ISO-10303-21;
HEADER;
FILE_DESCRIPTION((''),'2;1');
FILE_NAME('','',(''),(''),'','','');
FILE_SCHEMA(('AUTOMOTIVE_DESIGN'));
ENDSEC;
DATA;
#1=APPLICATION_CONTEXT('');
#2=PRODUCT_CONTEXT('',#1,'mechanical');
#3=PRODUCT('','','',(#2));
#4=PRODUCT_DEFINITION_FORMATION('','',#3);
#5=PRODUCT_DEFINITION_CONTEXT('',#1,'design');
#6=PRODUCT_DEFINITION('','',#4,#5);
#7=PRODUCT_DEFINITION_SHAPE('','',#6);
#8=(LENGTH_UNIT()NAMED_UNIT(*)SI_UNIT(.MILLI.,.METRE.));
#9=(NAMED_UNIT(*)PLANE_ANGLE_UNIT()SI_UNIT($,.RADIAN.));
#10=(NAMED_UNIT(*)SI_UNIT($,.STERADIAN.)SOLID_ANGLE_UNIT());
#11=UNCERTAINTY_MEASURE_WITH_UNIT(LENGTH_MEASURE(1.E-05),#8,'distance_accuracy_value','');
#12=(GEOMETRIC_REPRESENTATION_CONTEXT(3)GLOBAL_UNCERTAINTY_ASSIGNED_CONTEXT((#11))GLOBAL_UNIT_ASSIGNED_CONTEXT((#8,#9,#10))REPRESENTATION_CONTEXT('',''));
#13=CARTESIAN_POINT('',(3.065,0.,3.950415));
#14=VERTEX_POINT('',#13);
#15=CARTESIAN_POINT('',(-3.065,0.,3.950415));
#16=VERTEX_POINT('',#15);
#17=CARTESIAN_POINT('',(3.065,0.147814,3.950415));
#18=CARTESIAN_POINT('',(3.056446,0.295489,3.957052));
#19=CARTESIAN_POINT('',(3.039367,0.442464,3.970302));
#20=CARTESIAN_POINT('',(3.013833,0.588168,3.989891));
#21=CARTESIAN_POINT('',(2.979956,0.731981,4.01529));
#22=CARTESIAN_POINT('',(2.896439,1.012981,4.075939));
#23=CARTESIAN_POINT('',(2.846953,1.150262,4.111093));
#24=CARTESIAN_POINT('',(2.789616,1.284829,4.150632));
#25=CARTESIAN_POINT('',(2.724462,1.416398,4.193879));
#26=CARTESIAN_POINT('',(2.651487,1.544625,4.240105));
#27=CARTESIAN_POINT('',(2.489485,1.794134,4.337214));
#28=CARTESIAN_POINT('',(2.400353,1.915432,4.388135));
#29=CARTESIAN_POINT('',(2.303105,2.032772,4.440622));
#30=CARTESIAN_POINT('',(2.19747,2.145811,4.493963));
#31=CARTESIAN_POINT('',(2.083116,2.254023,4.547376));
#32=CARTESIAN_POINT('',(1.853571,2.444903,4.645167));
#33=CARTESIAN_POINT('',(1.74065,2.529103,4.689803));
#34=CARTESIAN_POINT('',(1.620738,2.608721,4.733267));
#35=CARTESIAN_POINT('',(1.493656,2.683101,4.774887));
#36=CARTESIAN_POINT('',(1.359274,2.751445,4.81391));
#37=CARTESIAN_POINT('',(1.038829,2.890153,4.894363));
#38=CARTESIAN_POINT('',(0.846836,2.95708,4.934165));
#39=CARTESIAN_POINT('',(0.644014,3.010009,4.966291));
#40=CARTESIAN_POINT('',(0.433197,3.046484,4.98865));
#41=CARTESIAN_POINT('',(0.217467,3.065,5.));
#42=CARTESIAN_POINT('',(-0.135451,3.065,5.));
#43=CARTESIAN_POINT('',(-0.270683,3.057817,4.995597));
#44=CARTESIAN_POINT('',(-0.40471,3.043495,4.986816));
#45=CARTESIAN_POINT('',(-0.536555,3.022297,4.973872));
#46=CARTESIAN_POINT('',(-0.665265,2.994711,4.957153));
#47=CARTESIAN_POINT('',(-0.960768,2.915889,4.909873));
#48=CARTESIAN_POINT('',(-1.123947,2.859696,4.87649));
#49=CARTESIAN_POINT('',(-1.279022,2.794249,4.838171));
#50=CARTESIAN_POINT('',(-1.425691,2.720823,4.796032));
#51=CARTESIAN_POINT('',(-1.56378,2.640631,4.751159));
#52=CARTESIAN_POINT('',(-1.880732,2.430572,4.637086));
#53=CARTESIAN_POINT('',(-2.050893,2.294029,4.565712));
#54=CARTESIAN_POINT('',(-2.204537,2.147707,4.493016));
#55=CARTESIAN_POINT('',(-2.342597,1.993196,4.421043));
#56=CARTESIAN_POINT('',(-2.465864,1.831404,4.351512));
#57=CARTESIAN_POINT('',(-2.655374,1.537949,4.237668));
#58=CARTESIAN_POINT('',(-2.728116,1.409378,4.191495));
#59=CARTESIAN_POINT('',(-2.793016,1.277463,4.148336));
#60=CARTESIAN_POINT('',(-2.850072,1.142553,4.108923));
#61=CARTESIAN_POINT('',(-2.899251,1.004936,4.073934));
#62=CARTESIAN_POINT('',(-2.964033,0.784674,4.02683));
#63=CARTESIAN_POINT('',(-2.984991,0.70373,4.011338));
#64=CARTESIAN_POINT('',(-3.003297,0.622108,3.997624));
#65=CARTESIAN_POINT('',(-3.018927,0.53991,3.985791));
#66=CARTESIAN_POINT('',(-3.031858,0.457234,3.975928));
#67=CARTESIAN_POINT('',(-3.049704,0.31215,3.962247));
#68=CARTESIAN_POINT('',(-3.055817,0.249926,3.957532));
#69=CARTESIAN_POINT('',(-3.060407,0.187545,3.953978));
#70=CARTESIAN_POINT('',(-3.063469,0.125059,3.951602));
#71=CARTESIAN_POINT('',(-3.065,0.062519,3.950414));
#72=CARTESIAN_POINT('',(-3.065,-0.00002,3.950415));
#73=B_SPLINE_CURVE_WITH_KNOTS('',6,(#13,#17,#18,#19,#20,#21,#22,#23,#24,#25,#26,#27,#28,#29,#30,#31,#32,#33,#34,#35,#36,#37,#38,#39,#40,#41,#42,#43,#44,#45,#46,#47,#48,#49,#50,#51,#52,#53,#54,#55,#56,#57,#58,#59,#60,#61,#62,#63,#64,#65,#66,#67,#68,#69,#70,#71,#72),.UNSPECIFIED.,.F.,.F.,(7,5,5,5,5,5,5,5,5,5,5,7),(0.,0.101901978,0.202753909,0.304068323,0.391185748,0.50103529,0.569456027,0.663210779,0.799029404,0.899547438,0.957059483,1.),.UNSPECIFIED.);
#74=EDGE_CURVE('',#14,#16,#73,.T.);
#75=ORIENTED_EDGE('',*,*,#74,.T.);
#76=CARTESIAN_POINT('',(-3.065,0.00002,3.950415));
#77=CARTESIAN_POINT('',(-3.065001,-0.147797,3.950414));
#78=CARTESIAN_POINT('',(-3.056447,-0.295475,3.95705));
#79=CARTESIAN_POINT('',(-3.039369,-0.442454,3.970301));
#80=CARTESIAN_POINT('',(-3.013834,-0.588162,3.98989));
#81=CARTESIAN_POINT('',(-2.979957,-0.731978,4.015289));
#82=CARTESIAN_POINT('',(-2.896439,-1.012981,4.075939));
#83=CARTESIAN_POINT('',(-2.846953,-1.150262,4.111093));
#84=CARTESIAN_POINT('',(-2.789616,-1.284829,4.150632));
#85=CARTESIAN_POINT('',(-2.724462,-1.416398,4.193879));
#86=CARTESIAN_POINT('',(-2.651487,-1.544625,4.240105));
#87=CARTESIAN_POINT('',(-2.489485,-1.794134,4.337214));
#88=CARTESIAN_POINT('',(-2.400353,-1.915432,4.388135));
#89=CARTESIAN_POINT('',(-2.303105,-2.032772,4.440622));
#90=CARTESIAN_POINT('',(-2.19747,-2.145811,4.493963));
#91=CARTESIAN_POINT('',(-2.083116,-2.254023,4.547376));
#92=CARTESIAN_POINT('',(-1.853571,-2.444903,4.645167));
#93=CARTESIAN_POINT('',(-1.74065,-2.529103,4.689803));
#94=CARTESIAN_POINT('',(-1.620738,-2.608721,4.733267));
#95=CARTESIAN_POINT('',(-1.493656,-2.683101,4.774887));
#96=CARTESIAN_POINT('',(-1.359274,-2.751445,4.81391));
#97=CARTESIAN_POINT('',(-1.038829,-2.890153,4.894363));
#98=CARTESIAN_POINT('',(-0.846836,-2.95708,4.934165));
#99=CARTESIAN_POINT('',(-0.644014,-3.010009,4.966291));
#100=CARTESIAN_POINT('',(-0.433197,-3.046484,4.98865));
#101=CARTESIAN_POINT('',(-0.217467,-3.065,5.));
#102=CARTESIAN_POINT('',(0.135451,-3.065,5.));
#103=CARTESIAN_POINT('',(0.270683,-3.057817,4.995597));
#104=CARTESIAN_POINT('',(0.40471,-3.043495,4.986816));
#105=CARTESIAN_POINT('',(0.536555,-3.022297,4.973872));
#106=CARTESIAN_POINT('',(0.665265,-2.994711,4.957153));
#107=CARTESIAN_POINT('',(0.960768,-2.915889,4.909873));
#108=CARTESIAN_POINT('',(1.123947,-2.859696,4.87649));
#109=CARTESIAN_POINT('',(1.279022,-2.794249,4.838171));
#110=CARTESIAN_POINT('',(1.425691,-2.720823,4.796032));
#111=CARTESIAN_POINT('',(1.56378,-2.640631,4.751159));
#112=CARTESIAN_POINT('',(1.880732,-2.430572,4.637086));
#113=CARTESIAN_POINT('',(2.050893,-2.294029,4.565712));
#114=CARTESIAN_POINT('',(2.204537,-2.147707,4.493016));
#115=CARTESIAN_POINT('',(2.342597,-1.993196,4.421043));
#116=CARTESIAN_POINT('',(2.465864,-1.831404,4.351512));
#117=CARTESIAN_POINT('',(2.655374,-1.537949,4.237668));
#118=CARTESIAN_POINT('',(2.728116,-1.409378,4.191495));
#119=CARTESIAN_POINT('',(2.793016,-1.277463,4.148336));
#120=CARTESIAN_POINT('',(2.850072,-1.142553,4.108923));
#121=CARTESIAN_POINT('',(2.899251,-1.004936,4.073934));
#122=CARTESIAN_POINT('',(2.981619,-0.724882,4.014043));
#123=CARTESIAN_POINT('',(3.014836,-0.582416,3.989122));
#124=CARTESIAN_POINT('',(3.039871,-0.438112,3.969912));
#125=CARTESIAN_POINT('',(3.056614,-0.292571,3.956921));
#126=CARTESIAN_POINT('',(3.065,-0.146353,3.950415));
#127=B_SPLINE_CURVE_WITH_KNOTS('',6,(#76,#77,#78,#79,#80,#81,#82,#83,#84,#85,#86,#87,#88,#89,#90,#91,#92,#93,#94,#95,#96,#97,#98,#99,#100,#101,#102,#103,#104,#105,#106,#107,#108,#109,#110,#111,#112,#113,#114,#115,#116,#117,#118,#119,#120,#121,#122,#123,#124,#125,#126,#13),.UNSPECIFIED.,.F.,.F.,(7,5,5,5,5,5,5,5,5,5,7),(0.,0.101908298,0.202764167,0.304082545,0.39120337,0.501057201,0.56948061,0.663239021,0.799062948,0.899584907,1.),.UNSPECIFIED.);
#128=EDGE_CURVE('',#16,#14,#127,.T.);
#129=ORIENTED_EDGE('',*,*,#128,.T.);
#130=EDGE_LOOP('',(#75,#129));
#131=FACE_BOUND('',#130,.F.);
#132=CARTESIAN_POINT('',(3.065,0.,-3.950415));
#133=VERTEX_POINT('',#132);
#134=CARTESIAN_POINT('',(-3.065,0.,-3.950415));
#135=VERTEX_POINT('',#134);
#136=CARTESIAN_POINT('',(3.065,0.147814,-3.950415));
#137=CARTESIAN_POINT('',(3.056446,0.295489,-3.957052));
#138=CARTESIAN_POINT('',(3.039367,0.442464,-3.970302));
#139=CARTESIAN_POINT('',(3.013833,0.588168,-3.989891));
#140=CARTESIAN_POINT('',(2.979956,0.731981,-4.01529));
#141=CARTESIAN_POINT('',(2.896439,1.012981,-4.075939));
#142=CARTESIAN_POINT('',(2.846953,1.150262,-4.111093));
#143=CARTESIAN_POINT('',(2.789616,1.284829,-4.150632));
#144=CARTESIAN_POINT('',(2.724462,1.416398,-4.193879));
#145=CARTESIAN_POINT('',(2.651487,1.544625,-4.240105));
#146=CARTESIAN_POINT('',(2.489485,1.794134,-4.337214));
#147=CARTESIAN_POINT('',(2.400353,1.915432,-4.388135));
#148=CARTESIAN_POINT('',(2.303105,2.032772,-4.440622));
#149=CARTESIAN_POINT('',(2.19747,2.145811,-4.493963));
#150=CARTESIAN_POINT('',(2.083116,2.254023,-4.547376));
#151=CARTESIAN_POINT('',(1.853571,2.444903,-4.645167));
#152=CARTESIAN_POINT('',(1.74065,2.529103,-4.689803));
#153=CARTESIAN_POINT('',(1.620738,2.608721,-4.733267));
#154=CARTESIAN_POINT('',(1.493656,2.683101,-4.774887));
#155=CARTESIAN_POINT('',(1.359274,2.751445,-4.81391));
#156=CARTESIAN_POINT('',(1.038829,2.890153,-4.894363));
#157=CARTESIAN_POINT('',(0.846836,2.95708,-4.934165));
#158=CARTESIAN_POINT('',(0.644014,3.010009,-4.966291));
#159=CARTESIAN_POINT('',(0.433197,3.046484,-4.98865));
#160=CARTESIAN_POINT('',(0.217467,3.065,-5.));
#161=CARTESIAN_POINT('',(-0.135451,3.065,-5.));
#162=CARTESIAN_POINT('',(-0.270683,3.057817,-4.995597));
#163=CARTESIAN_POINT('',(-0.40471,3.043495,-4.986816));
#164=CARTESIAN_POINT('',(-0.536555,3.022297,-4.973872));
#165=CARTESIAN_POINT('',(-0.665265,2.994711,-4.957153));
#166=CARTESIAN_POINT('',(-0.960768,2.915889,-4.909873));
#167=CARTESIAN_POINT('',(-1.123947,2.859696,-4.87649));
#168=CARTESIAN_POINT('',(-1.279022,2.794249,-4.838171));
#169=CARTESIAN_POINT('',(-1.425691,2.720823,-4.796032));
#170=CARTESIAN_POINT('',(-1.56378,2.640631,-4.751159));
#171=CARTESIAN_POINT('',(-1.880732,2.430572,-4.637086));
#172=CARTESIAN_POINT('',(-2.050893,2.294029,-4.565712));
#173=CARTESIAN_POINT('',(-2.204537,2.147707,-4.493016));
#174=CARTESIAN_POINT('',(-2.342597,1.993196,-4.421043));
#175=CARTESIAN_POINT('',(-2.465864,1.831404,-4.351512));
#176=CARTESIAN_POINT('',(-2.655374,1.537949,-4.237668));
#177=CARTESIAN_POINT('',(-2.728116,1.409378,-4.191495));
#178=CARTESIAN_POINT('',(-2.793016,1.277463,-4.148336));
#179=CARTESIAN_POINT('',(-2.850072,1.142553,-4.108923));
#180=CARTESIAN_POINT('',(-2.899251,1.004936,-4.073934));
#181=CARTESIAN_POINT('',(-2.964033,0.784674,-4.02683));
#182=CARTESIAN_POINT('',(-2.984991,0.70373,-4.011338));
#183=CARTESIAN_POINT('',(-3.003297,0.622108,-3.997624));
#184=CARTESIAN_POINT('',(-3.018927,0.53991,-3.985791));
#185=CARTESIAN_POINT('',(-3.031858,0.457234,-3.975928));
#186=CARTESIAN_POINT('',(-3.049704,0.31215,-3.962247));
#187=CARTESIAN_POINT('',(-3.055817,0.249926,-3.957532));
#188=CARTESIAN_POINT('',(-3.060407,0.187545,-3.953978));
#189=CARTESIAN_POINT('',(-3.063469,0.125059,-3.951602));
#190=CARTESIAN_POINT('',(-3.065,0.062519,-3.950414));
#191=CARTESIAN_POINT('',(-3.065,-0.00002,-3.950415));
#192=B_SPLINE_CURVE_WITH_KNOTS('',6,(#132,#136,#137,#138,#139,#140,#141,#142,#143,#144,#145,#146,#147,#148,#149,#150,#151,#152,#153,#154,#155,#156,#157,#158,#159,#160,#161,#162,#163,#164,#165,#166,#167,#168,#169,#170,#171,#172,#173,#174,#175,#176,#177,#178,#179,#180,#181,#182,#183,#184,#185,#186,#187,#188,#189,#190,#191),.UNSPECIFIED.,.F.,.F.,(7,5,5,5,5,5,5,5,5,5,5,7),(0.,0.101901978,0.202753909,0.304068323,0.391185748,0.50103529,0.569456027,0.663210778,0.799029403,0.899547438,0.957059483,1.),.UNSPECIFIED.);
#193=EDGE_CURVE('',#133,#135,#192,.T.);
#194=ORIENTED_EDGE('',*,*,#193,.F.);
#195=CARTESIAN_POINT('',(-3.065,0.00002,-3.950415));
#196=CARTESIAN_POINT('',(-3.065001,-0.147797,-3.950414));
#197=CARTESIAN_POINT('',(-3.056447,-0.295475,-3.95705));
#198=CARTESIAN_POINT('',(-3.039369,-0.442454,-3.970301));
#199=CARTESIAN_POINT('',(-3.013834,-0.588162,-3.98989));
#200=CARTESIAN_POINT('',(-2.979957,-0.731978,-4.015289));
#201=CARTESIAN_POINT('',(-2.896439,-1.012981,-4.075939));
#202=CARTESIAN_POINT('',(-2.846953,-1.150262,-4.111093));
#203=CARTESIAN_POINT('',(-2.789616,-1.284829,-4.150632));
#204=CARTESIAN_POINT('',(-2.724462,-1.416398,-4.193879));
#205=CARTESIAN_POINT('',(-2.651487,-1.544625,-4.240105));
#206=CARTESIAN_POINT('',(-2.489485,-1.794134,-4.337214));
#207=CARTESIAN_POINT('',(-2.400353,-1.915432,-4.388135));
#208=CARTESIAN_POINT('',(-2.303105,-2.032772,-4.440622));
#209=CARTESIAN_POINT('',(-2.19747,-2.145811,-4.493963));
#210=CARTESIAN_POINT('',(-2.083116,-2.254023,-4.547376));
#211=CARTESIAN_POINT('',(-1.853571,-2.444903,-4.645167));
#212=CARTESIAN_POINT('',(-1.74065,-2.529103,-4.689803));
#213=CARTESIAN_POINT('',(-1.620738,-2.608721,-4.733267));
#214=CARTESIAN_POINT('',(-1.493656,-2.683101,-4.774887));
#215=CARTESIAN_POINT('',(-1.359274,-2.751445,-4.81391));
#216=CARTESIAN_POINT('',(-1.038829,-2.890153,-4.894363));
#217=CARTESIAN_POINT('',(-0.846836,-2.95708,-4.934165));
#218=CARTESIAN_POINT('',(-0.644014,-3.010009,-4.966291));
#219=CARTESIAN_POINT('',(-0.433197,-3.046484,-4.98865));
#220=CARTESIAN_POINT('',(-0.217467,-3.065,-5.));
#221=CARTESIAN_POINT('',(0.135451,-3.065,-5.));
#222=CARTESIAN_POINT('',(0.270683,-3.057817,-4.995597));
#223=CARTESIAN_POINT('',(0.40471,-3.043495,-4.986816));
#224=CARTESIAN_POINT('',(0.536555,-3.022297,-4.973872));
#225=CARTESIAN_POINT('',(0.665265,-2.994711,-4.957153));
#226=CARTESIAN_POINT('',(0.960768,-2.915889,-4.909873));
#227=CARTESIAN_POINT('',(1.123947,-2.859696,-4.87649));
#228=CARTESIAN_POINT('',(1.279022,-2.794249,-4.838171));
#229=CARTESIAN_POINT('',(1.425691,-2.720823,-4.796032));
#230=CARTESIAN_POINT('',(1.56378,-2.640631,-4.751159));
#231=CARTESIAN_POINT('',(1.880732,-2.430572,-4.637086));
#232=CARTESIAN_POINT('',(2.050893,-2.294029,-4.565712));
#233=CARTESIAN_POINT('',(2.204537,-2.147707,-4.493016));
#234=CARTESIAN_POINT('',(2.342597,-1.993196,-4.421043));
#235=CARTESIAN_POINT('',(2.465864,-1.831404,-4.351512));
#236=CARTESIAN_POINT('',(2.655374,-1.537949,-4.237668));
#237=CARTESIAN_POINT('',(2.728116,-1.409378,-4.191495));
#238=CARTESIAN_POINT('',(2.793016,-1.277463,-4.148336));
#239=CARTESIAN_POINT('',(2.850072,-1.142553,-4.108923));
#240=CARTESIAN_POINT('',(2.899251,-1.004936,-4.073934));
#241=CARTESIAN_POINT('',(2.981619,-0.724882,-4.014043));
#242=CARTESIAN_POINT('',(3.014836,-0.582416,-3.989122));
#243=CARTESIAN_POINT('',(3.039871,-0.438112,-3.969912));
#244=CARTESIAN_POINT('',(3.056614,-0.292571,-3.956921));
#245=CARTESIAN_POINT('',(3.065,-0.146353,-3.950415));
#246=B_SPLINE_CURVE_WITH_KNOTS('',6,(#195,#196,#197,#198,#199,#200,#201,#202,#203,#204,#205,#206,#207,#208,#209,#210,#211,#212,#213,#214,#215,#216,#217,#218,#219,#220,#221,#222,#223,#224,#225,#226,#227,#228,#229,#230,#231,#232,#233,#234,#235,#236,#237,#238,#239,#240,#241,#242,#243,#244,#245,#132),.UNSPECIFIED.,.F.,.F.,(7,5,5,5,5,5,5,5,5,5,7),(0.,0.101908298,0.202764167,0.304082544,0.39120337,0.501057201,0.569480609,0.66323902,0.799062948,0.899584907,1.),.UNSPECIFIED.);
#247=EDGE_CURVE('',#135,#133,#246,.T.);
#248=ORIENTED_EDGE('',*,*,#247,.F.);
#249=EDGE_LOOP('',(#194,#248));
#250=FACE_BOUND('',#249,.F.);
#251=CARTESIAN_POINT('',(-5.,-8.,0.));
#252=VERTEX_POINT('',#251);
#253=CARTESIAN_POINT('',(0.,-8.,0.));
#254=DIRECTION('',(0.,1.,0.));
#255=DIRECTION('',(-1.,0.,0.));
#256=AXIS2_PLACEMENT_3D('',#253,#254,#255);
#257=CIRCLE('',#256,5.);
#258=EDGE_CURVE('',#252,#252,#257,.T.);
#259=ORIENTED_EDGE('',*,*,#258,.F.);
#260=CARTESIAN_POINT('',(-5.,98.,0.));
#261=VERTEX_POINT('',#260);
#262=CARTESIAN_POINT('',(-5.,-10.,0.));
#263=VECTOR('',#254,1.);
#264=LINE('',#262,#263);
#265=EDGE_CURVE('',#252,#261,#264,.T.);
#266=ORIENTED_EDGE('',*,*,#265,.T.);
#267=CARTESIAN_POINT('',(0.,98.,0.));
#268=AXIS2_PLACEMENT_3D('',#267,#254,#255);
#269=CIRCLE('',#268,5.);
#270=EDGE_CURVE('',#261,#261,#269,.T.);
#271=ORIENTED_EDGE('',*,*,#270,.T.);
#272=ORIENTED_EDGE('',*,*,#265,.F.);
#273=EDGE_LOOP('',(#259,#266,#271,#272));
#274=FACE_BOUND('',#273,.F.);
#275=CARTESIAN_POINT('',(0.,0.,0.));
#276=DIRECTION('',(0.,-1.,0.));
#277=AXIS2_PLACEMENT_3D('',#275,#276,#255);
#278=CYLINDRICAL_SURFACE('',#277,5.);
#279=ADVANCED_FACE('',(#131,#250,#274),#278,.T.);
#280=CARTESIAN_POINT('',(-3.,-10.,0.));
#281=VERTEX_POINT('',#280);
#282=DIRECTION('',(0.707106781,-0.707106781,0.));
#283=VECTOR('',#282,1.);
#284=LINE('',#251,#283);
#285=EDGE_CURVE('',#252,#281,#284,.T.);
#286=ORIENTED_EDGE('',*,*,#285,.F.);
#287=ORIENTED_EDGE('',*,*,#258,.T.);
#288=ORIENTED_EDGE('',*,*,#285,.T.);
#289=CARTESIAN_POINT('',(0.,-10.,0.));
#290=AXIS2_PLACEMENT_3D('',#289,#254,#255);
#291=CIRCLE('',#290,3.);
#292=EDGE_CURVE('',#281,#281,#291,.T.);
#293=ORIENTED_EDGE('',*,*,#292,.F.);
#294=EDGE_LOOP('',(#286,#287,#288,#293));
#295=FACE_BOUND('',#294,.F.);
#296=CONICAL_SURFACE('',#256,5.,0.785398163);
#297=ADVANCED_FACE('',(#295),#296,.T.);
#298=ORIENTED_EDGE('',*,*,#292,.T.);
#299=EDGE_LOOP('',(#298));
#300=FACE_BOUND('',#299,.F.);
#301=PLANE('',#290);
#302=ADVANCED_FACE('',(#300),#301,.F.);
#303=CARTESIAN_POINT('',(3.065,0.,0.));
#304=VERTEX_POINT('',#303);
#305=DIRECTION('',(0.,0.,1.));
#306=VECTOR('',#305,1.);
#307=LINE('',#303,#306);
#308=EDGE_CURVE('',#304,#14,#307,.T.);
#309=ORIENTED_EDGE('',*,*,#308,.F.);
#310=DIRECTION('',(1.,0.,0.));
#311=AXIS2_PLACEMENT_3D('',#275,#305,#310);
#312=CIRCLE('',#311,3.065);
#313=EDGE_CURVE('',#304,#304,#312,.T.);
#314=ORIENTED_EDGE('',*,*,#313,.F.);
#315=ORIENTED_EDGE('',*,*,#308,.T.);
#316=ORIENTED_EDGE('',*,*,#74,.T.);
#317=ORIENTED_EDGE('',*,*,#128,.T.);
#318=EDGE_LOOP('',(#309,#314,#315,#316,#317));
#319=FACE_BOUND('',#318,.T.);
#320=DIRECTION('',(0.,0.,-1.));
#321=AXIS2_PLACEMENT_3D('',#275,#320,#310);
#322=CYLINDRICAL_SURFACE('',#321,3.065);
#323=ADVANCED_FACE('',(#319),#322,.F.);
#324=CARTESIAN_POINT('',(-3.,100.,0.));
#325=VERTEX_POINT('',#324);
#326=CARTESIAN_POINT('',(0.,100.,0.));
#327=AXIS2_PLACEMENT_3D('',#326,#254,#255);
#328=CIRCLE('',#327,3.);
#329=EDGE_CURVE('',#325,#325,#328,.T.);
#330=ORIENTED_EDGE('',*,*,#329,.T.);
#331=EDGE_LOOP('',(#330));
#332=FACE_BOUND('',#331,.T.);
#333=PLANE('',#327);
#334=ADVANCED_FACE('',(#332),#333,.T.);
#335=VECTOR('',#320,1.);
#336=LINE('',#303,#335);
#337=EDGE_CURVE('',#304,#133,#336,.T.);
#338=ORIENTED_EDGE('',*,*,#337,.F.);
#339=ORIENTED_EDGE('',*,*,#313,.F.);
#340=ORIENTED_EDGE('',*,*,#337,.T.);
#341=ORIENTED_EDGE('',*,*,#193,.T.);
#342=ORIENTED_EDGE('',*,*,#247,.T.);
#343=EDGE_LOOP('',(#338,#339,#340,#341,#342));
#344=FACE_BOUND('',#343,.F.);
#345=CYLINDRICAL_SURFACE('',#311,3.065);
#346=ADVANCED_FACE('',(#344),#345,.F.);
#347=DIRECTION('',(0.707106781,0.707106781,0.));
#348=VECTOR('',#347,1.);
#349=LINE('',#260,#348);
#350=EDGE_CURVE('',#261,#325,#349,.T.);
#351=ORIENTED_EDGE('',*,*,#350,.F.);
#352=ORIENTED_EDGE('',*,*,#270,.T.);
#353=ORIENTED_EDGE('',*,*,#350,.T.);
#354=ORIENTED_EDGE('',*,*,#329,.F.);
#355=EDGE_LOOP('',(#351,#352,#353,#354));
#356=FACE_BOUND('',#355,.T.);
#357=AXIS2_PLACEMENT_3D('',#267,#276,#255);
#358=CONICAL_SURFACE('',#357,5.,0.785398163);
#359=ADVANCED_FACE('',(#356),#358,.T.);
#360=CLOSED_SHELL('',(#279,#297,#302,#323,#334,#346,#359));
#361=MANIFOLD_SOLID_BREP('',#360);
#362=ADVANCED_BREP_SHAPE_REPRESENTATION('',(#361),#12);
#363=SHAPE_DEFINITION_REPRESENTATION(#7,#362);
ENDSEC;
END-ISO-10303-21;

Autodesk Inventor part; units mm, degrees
ref_plane "YZ Plane" through (0, 0, 0) normal (1, 0, 0) x (0, 1, 0)
ref_plane "XZ Plane" through (0, 0, 0) normal (0, 1, 0) x (-1, 0, 0)
ref_plane "XY Plane" through (0, 0, 0) normal (0, 0, 1) x (1, 0, 0)
sketch "Sketch1" plane through (0, 0, 0) normal (0, 1, 0) x (-1, 0, 0)
  circle A0 centre (0, 0) radius 5
  dimension "d0" = 10
extrude "Extrusion1" add sketch "Sketch1" along normal blind 100 and the other way blind 10
sketch "Sketch2" plane through (0, 0, 0) normal (0, 0, 1) x (1, 0, 0)
  circle A0 centre (0, 0) radius 3.065
  dimension "d5" = 6.13
extrude "Extrusion2" cut sketch "Sketch2" along normal mid plane 100
chamfer "Chamfer1" distance 2 angle 45 2 edges at (5, 100, 0) (5, -10, 0)
properties part number "pendulum"
